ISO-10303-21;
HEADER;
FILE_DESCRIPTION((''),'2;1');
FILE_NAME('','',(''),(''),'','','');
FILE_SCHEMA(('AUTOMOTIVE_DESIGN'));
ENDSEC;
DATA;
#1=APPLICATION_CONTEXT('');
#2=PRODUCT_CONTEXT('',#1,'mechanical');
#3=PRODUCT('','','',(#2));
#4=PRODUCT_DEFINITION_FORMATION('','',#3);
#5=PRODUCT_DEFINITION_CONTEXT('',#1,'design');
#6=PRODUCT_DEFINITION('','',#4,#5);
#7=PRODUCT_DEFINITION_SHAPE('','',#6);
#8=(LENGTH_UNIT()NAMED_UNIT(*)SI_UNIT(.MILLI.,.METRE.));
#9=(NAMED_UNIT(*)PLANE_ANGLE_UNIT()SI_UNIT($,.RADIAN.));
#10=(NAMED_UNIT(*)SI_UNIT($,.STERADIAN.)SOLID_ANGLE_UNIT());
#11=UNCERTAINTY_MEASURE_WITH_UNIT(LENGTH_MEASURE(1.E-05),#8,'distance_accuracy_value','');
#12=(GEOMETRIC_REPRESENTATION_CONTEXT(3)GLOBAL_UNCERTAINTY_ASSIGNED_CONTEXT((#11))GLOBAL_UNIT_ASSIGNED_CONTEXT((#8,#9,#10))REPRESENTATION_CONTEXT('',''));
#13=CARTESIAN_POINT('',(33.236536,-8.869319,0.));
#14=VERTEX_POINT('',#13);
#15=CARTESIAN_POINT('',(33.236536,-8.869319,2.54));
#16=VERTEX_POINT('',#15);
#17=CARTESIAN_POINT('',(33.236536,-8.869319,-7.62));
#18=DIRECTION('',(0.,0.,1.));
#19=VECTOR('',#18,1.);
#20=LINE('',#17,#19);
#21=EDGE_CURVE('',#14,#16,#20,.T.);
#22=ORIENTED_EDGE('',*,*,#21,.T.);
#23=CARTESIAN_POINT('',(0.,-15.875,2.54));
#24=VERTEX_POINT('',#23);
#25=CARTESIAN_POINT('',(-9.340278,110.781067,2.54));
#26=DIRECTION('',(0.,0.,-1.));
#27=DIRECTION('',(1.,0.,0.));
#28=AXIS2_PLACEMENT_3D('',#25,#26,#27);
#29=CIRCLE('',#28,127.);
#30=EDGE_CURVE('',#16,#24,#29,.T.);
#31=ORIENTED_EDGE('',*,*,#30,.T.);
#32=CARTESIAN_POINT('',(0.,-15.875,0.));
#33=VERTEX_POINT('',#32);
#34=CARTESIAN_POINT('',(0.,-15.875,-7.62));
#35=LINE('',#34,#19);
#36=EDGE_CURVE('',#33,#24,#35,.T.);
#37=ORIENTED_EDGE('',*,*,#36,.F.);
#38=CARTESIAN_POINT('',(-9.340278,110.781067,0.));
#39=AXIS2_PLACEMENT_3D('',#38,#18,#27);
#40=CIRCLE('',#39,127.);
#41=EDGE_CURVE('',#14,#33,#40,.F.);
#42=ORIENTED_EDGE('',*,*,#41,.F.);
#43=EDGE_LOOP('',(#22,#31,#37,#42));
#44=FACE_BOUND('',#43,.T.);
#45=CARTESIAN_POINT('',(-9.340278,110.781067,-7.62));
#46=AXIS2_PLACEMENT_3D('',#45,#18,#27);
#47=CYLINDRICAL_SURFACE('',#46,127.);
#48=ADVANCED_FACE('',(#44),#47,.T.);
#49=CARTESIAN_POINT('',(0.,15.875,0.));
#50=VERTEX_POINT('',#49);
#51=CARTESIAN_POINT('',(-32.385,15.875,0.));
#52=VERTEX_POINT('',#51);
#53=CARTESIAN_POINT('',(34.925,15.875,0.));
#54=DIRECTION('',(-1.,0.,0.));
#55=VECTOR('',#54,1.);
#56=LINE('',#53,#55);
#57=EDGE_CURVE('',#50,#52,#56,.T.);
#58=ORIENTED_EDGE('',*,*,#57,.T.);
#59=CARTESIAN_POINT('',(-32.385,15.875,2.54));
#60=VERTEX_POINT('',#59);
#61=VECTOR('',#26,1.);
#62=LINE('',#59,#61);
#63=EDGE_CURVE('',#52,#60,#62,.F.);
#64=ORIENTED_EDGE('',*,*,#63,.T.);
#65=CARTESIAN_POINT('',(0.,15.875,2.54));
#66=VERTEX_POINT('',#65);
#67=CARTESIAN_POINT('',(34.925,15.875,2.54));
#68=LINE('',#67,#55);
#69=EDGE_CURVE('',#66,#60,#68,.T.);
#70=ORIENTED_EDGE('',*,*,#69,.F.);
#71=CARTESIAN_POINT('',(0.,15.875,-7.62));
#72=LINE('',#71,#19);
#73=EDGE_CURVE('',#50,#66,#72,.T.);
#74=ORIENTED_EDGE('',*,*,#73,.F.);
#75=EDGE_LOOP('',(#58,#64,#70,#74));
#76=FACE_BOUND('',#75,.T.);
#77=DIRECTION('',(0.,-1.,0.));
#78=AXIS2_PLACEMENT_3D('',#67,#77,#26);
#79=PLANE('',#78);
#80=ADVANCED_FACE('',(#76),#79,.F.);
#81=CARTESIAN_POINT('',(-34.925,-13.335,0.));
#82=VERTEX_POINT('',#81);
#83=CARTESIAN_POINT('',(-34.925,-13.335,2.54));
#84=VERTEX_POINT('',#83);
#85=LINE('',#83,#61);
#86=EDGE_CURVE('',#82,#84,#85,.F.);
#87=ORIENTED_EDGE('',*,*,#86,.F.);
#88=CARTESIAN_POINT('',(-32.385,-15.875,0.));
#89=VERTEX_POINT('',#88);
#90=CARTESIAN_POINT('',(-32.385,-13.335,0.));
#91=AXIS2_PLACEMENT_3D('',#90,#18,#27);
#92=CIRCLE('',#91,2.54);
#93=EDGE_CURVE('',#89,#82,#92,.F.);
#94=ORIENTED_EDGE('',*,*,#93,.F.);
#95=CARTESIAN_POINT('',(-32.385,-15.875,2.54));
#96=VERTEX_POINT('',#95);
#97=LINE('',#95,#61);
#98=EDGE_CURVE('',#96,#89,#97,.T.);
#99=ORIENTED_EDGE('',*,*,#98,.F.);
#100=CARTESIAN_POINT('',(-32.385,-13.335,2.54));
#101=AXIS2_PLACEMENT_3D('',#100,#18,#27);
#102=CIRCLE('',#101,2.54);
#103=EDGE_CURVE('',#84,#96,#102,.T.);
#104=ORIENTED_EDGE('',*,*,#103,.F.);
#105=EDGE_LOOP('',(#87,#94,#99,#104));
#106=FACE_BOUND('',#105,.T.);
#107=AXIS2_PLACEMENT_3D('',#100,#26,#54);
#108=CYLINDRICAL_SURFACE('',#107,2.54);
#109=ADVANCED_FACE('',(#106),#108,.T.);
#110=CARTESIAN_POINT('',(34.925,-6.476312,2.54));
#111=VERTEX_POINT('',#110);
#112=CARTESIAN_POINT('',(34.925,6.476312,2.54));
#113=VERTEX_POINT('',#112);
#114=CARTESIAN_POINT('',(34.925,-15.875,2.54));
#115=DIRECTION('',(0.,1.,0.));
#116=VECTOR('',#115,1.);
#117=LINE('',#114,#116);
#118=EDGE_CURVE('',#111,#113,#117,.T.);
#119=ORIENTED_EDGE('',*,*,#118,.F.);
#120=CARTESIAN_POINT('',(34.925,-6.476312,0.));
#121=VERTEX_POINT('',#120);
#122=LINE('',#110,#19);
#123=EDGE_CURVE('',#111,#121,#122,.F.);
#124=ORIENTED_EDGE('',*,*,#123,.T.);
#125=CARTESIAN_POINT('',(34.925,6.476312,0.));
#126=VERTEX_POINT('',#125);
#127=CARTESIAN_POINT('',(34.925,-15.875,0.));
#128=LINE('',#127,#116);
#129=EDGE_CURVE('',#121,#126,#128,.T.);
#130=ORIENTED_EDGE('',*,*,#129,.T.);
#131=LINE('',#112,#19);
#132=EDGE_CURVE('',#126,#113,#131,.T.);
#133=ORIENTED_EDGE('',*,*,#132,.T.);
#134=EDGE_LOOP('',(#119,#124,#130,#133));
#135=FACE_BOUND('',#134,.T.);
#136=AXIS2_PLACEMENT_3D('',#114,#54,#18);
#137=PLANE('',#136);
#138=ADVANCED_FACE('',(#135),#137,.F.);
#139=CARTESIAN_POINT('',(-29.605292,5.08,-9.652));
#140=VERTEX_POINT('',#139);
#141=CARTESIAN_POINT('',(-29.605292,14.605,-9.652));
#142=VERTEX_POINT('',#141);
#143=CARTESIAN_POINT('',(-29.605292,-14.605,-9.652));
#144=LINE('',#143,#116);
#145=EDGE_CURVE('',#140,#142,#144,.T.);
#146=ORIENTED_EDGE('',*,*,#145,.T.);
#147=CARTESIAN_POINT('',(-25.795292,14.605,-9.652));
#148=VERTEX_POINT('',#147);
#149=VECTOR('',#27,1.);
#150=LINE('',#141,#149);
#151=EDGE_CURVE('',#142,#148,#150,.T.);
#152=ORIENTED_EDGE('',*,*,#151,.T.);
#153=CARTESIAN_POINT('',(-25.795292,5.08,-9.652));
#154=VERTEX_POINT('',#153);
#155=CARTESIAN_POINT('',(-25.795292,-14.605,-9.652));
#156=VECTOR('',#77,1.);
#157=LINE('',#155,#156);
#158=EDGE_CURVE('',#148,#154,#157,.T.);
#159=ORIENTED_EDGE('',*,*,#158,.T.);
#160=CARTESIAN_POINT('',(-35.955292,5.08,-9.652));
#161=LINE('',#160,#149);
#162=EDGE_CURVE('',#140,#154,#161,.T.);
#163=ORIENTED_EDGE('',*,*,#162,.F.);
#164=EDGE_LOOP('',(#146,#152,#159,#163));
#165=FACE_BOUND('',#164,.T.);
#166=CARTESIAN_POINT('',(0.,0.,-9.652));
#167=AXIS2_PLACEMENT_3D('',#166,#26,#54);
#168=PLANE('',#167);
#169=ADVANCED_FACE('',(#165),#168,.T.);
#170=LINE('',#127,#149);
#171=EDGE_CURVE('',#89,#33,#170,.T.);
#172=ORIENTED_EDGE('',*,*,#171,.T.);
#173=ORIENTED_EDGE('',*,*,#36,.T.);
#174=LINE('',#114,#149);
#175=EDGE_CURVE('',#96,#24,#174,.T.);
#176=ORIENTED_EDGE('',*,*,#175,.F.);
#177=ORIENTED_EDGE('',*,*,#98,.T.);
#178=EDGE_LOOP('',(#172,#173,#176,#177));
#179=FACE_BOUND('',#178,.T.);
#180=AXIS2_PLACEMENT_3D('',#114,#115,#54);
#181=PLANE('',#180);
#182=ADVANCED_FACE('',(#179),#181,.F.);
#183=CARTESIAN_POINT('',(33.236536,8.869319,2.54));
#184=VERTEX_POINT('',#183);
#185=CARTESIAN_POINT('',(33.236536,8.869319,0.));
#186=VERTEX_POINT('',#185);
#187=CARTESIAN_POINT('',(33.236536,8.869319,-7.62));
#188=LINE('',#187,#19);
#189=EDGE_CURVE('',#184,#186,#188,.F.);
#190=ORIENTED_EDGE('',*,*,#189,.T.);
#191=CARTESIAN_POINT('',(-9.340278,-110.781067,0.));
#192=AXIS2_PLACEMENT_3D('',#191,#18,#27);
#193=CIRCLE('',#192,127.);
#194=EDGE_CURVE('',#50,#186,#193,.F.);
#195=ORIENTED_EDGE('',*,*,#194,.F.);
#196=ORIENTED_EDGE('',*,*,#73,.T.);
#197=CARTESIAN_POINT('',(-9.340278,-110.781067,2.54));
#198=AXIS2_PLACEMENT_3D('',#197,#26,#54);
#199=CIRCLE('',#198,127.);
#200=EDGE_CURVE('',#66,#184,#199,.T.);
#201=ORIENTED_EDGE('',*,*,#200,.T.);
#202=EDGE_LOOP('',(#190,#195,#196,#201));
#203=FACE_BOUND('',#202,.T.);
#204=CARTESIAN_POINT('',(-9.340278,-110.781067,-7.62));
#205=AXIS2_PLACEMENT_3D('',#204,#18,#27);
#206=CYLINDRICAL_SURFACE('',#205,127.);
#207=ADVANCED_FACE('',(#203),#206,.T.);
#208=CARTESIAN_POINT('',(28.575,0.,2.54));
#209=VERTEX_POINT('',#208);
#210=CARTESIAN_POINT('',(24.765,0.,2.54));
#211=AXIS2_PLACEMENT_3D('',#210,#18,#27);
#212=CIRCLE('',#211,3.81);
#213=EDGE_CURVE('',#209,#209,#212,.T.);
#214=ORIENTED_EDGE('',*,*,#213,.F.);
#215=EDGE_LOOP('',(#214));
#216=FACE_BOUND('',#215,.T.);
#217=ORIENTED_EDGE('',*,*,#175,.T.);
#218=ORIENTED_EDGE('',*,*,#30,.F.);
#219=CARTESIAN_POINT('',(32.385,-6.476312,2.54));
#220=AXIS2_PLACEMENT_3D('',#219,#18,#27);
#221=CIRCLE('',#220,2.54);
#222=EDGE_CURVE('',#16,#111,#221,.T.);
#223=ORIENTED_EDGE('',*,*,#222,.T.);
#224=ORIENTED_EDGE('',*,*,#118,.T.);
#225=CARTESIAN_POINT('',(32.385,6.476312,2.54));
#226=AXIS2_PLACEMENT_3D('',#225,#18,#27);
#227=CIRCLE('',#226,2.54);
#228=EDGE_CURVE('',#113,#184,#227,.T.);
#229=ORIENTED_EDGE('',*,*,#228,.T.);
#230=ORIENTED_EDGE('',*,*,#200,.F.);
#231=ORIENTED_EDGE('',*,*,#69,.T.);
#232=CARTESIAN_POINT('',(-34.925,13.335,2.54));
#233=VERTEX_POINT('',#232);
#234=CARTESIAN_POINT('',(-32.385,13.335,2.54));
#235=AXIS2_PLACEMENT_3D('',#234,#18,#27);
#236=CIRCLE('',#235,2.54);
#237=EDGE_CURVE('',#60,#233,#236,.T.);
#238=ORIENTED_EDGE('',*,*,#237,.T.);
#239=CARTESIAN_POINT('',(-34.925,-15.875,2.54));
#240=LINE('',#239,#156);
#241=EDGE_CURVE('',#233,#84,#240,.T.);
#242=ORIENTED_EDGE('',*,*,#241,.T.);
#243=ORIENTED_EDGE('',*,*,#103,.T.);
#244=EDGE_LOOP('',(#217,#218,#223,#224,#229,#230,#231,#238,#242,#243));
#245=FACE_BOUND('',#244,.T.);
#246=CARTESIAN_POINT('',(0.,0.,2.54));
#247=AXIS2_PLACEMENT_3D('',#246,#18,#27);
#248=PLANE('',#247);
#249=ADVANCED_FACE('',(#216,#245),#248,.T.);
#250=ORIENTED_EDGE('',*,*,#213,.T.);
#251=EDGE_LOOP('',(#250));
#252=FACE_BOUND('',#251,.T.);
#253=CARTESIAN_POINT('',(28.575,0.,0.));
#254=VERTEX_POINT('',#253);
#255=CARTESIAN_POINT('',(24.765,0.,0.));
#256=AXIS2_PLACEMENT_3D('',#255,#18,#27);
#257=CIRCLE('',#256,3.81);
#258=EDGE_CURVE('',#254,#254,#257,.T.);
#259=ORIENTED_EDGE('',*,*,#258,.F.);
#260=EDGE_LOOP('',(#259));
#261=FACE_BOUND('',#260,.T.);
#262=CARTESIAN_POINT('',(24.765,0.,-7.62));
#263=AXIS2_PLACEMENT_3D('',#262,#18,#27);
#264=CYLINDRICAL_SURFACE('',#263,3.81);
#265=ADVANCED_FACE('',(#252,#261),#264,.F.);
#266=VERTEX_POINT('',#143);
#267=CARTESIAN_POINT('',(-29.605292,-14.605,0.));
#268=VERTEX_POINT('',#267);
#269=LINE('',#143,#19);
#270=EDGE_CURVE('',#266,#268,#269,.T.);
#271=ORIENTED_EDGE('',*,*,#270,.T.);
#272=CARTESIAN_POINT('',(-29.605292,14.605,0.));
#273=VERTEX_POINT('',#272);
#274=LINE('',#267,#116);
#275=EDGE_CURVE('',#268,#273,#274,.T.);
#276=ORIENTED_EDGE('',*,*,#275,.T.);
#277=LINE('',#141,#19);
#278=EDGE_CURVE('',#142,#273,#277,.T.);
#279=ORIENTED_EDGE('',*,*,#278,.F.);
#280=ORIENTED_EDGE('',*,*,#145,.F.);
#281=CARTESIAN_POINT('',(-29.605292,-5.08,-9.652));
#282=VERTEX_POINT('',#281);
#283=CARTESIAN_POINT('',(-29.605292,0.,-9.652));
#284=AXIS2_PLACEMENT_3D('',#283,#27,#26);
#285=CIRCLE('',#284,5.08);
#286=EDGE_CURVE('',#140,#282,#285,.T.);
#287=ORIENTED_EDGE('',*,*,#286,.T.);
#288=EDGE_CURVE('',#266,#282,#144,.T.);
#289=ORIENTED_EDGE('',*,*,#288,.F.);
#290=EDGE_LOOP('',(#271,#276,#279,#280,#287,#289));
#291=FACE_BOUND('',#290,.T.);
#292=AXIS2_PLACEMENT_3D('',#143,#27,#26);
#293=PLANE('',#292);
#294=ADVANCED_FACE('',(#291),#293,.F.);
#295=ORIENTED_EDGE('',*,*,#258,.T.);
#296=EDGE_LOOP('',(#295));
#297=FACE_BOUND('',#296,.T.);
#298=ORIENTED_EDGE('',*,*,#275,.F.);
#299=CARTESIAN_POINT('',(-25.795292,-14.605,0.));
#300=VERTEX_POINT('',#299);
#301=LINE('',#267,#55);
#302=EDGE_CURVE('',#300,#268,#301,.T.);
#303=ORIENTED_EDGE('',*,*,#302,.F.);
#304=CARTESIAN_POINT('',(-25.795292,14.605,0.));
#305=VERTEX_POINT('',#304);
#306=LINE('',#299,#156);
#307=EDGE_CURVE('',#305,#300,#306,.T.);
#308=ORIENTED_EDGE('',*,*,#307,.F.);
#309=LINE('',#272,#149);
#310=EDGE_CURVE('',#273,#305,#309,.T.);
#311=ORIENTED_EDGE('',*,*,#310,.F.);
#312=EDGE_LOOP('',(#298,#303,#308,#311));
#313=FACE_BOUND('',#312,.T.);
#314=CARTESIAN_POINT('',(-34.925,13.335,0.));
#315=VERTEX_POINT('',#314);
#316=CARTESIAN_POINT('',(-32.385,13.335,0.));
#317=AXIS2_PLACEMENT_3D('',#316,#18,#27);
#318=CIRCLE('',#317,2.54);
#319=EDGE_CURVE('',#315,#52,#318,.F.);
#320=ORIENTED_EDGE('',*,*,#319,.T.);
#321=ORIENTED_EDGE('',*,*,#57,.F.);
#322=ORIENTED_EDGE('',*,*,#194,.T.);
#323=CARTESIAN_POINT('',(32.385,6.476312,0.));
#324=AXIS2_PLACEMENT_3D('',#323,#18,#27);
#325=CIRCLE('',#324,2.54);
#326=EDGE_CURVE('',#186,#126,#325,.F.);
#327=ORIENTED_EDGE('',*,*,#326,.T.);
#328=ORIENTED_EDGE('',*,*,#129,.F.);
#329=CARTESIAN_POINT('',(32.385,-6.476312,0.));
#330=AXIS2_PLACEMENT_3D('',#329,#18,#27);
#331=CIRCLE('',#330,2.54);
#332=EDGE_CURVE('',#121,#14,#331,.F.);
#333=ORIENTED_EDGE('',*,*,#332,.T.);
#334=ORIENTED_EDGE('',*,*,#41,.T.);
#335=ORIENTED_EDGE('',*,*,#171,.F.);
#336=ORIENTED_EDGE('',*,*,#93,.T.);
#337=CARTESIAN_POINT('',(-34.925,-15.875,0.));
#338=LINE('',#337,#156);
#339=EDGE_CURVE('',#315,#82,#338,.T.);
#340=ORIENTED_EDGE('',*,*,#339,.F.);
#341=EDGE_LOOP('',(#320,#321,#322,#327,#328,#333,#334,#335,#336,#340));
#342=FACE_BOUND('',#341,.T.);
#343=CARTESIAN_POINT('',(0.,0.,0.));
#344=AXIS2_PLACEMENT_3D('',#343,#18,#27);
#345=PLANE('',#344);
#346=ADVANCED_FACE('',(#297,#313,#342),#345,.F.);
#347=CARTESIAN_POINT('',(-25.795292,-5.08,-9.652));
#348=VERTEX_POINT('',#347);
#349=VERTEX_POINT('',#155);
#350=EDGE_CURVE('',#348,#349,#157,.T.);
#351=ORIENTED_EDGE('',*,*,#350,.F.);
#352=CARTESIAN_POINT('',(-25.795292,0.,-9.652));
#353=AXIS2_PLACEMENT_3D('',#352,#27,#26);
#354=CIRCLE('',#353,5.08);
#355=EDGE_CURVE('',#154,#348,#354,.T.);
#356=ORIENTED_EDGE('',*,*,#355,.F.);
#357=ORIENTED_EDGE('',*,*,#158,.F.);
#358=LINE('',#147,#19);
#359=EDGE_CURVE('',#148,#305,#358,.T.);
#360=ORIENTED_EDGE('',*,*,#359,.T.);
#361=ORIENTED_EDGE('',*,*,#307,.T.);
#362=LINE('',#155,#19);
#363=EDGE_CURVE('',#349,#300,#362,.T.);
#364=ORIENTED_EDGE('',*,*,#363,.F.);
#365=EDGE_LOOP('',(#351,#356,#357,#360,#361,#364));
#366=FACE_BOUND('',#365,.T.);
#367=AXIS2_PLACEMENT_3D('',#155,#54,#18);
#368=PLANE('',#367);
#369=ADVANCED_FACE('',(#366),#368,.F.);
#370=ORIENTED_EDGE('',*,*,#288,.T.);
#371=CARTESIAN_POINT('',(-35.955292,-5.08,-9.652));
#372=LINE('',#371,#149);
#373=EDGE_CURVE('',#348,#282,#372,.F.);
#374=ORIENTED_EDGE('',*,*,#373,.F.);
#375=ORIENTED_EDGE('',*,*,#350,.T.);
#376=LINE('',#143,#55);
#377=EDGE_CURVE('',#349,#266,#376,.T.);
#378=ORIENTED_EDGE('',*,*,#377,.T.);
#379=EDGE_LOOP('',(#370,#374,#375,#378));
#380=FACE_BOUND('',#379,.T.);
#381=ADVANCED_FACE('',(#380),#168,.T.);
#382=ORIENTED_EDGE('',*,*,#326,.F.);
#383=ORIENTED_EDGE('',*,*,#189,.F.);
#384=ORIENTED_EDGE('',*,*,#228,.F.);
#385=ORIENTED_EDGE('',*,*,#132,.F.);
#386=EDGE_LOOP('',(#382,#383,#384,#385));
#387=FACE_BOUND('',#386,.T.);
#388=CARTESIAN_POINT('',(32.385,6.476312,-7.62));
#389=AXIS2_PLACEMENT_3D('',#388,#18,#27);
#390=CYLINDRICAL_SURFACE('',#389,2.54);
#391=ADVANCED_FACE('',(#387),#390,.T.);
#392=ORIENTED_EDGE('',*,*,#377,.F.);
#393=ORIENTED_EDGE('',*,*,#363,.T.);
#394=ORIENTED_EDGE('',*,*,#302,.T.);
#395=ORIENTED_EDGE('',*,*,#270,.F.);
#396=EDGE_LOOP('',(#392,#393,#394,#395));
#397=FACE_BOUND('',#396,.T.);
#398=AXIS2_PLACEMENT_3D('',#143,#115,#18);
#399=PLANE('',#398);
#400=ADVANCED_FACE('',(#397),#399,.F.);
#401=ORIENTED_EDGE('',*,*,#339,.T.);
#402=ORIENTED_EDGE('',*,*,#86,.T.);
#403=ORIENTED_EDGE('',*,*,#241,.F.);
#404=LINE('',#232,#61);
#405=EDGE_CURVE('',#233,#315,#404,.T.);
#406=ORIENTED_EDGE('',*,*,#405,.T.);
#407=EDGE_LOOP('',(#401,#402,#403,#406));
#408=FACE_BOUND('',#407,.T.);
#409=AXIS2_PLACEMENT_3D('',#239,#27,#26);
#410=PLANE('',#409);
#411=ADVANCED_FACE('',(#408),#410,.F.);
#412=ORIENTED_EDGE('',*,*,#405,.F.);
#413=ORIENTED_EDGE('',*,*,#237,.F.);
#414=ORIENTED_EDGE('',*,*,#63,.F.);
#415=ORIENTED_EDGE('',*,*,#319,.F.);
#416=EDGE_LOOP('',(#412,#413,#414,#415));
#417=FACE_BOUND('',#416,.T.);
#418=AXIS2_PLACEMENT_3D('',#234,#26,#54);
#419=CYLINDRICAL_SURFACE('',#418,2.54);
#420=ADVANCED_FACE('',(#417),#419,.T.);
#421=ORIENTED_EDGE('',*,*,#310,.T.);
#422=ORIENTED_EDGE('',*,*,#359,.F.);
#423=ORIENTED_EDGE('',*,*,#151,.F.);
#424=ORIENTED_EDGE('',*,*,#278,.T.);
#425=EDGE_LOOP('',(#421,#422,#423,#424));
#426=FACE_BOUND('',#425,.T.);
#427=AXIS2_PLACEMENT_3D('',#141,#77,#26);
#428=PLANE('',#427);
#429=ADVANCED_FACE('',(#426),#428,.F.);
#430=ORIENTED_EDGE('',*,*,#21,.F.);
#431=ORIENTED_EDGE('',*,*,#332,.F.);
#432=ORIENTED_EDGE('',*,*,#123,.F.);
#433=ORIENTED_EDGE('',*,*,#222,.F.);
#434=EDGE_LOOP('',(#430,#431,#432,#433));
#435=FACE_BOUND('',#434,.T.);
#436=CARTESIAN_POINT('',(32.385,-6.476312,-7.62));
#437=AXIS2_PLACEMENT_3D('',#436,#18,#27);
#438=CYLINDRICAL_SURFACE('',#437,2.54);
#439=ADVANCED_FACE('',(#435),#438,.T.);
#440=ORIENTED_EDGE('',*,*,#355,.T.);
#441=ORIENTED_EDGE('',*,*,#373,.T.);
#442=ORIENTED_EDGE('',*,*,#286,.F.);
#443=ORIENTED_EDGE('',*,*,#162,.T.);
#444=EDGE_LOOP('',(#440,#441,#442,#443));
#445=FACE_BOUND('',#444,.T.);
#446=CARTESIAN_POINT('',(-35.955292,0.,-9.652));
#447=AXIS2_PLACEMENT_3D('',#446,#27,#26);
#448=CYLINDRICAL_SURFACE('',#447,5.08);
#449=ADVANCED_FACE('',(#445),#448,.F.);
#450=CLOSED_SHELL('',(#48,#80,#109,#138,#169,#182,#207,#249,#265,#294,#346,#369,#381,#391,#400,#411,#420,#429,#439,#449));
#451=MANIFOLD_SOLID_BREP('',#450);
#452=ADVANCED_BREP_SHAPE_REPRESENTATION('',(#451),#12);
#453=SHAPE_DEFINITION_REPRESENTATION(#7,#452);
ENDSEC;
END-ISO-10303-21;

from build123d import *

# Parameters (mm, degrees)
SKETCH1_W           = 69.85
SKETCH1_H           = 31.75
BOSS_EXTRUDE1_DEPTH = 2.54
SKETCH2_W           = 3.81
SKETCH2_H           = 29.21
BOSS_EXTRUDE2_DEPTH = 9.652
SKETCH3_R           = 5.08
CUT_EXTRUDE1_DEPTH  = 10.16
CUT_EXTRUDE2_DEPTH  = 10.16
FILLET1_R           = 2.54
FILLET2_R           = 2.54
SKETCH11_R          = 3.81
CUT_EXTRUDE3_DEPTH  = 10.16


with BuildPart() as part:
    # Sketch1 → Boss-Extrude1 (new body)
    with BuildSketch(Plane.XY):
        Rectangle(SKETCH1_W, SKETCH1_H)
    extrude(amount=BOSS_EXTRUDE1_DEPTH)

    # Sketch2 → Boss-Extrude2 (add)
    with BuildSketch(Plane(origin=(0, 0, 0), x_dir=(-1, 0, 0), z_dir=(0, 0, -1))):
        with Locations((27.700292401, 0)):
            Rectangle(SKETCH2_W, SKETCH2_H)
    extrude(amount=BOSS_EXTRUDE2_DEPTH)

    # Sketch3 → Cut-Extrude1 (cut)
    with BuildSketch(Plane(origin=(-25.795292401, 0, 0), x_dir=(0, 0, -1), z_dir=(1, 0, 0))):
        with Locations((9.652, 0)):
            Circle(SKETCH3_R)
    extrude(amount=-CUT_EXTRUDE1_DEPTH, mode=Mode.SUBTRACT)

    # Sketch9 → Cut-Extrude2 (cut)
    with BuildSketch(Plane.XY.offset(2.54)):
        with BuildLine():
            Line((0, 15.875), (34.925, 15.875))
            Line((34.925, 15.875), (34.925, 8.255))
            ThreePointArc((34.925, 8.255), (17.731940388, 13.29993511), (0, 15.875))
        make_face()
        with BuildLine():
            Line((0, -15.875), (34.925, -15.875))
            Line((34.925, -15.875), (34.925, -8.255))
            ThreePointArc((34.925, -8.255), (17.731940388, -13.29993511), (0, -15.875))
        make_face()
    extrude(amount=-CUT_EXTRUDE2_DEPTH, mode=Mode.SUBTRACT)

    # Fillet1
    fillet1_edges = [part.edges().sort_by_distance(p)[0] for p in [
        (-34.925, 15.875, 1.27),
        (-34.925, -15.875, 1.27),
    ]]
    fillet(fillet1_edges, radius=FILLET1_R)

    # Fillet2
    fillet2_edges = [part.edges().sort_by_distance(p)[0] for p in [
        (34.925, 8.255, 1.27),
        (34.925, -8.255, 1.27),
    ]]
    fillet(fillet2_edges, radius=FILLET2_R)

    # Sketch11 → Cut-Extrude3 (cut)
    with BuildSketch(Plane.XY.offset(2.54)):
        with Locations((24.765, 0)):
            Circle(SKETCH11_R)
    extrude(amount=-CUT_EXTRUDE3_DEPTH, mode=Mode.SUBTRACT)


solid = part.part
